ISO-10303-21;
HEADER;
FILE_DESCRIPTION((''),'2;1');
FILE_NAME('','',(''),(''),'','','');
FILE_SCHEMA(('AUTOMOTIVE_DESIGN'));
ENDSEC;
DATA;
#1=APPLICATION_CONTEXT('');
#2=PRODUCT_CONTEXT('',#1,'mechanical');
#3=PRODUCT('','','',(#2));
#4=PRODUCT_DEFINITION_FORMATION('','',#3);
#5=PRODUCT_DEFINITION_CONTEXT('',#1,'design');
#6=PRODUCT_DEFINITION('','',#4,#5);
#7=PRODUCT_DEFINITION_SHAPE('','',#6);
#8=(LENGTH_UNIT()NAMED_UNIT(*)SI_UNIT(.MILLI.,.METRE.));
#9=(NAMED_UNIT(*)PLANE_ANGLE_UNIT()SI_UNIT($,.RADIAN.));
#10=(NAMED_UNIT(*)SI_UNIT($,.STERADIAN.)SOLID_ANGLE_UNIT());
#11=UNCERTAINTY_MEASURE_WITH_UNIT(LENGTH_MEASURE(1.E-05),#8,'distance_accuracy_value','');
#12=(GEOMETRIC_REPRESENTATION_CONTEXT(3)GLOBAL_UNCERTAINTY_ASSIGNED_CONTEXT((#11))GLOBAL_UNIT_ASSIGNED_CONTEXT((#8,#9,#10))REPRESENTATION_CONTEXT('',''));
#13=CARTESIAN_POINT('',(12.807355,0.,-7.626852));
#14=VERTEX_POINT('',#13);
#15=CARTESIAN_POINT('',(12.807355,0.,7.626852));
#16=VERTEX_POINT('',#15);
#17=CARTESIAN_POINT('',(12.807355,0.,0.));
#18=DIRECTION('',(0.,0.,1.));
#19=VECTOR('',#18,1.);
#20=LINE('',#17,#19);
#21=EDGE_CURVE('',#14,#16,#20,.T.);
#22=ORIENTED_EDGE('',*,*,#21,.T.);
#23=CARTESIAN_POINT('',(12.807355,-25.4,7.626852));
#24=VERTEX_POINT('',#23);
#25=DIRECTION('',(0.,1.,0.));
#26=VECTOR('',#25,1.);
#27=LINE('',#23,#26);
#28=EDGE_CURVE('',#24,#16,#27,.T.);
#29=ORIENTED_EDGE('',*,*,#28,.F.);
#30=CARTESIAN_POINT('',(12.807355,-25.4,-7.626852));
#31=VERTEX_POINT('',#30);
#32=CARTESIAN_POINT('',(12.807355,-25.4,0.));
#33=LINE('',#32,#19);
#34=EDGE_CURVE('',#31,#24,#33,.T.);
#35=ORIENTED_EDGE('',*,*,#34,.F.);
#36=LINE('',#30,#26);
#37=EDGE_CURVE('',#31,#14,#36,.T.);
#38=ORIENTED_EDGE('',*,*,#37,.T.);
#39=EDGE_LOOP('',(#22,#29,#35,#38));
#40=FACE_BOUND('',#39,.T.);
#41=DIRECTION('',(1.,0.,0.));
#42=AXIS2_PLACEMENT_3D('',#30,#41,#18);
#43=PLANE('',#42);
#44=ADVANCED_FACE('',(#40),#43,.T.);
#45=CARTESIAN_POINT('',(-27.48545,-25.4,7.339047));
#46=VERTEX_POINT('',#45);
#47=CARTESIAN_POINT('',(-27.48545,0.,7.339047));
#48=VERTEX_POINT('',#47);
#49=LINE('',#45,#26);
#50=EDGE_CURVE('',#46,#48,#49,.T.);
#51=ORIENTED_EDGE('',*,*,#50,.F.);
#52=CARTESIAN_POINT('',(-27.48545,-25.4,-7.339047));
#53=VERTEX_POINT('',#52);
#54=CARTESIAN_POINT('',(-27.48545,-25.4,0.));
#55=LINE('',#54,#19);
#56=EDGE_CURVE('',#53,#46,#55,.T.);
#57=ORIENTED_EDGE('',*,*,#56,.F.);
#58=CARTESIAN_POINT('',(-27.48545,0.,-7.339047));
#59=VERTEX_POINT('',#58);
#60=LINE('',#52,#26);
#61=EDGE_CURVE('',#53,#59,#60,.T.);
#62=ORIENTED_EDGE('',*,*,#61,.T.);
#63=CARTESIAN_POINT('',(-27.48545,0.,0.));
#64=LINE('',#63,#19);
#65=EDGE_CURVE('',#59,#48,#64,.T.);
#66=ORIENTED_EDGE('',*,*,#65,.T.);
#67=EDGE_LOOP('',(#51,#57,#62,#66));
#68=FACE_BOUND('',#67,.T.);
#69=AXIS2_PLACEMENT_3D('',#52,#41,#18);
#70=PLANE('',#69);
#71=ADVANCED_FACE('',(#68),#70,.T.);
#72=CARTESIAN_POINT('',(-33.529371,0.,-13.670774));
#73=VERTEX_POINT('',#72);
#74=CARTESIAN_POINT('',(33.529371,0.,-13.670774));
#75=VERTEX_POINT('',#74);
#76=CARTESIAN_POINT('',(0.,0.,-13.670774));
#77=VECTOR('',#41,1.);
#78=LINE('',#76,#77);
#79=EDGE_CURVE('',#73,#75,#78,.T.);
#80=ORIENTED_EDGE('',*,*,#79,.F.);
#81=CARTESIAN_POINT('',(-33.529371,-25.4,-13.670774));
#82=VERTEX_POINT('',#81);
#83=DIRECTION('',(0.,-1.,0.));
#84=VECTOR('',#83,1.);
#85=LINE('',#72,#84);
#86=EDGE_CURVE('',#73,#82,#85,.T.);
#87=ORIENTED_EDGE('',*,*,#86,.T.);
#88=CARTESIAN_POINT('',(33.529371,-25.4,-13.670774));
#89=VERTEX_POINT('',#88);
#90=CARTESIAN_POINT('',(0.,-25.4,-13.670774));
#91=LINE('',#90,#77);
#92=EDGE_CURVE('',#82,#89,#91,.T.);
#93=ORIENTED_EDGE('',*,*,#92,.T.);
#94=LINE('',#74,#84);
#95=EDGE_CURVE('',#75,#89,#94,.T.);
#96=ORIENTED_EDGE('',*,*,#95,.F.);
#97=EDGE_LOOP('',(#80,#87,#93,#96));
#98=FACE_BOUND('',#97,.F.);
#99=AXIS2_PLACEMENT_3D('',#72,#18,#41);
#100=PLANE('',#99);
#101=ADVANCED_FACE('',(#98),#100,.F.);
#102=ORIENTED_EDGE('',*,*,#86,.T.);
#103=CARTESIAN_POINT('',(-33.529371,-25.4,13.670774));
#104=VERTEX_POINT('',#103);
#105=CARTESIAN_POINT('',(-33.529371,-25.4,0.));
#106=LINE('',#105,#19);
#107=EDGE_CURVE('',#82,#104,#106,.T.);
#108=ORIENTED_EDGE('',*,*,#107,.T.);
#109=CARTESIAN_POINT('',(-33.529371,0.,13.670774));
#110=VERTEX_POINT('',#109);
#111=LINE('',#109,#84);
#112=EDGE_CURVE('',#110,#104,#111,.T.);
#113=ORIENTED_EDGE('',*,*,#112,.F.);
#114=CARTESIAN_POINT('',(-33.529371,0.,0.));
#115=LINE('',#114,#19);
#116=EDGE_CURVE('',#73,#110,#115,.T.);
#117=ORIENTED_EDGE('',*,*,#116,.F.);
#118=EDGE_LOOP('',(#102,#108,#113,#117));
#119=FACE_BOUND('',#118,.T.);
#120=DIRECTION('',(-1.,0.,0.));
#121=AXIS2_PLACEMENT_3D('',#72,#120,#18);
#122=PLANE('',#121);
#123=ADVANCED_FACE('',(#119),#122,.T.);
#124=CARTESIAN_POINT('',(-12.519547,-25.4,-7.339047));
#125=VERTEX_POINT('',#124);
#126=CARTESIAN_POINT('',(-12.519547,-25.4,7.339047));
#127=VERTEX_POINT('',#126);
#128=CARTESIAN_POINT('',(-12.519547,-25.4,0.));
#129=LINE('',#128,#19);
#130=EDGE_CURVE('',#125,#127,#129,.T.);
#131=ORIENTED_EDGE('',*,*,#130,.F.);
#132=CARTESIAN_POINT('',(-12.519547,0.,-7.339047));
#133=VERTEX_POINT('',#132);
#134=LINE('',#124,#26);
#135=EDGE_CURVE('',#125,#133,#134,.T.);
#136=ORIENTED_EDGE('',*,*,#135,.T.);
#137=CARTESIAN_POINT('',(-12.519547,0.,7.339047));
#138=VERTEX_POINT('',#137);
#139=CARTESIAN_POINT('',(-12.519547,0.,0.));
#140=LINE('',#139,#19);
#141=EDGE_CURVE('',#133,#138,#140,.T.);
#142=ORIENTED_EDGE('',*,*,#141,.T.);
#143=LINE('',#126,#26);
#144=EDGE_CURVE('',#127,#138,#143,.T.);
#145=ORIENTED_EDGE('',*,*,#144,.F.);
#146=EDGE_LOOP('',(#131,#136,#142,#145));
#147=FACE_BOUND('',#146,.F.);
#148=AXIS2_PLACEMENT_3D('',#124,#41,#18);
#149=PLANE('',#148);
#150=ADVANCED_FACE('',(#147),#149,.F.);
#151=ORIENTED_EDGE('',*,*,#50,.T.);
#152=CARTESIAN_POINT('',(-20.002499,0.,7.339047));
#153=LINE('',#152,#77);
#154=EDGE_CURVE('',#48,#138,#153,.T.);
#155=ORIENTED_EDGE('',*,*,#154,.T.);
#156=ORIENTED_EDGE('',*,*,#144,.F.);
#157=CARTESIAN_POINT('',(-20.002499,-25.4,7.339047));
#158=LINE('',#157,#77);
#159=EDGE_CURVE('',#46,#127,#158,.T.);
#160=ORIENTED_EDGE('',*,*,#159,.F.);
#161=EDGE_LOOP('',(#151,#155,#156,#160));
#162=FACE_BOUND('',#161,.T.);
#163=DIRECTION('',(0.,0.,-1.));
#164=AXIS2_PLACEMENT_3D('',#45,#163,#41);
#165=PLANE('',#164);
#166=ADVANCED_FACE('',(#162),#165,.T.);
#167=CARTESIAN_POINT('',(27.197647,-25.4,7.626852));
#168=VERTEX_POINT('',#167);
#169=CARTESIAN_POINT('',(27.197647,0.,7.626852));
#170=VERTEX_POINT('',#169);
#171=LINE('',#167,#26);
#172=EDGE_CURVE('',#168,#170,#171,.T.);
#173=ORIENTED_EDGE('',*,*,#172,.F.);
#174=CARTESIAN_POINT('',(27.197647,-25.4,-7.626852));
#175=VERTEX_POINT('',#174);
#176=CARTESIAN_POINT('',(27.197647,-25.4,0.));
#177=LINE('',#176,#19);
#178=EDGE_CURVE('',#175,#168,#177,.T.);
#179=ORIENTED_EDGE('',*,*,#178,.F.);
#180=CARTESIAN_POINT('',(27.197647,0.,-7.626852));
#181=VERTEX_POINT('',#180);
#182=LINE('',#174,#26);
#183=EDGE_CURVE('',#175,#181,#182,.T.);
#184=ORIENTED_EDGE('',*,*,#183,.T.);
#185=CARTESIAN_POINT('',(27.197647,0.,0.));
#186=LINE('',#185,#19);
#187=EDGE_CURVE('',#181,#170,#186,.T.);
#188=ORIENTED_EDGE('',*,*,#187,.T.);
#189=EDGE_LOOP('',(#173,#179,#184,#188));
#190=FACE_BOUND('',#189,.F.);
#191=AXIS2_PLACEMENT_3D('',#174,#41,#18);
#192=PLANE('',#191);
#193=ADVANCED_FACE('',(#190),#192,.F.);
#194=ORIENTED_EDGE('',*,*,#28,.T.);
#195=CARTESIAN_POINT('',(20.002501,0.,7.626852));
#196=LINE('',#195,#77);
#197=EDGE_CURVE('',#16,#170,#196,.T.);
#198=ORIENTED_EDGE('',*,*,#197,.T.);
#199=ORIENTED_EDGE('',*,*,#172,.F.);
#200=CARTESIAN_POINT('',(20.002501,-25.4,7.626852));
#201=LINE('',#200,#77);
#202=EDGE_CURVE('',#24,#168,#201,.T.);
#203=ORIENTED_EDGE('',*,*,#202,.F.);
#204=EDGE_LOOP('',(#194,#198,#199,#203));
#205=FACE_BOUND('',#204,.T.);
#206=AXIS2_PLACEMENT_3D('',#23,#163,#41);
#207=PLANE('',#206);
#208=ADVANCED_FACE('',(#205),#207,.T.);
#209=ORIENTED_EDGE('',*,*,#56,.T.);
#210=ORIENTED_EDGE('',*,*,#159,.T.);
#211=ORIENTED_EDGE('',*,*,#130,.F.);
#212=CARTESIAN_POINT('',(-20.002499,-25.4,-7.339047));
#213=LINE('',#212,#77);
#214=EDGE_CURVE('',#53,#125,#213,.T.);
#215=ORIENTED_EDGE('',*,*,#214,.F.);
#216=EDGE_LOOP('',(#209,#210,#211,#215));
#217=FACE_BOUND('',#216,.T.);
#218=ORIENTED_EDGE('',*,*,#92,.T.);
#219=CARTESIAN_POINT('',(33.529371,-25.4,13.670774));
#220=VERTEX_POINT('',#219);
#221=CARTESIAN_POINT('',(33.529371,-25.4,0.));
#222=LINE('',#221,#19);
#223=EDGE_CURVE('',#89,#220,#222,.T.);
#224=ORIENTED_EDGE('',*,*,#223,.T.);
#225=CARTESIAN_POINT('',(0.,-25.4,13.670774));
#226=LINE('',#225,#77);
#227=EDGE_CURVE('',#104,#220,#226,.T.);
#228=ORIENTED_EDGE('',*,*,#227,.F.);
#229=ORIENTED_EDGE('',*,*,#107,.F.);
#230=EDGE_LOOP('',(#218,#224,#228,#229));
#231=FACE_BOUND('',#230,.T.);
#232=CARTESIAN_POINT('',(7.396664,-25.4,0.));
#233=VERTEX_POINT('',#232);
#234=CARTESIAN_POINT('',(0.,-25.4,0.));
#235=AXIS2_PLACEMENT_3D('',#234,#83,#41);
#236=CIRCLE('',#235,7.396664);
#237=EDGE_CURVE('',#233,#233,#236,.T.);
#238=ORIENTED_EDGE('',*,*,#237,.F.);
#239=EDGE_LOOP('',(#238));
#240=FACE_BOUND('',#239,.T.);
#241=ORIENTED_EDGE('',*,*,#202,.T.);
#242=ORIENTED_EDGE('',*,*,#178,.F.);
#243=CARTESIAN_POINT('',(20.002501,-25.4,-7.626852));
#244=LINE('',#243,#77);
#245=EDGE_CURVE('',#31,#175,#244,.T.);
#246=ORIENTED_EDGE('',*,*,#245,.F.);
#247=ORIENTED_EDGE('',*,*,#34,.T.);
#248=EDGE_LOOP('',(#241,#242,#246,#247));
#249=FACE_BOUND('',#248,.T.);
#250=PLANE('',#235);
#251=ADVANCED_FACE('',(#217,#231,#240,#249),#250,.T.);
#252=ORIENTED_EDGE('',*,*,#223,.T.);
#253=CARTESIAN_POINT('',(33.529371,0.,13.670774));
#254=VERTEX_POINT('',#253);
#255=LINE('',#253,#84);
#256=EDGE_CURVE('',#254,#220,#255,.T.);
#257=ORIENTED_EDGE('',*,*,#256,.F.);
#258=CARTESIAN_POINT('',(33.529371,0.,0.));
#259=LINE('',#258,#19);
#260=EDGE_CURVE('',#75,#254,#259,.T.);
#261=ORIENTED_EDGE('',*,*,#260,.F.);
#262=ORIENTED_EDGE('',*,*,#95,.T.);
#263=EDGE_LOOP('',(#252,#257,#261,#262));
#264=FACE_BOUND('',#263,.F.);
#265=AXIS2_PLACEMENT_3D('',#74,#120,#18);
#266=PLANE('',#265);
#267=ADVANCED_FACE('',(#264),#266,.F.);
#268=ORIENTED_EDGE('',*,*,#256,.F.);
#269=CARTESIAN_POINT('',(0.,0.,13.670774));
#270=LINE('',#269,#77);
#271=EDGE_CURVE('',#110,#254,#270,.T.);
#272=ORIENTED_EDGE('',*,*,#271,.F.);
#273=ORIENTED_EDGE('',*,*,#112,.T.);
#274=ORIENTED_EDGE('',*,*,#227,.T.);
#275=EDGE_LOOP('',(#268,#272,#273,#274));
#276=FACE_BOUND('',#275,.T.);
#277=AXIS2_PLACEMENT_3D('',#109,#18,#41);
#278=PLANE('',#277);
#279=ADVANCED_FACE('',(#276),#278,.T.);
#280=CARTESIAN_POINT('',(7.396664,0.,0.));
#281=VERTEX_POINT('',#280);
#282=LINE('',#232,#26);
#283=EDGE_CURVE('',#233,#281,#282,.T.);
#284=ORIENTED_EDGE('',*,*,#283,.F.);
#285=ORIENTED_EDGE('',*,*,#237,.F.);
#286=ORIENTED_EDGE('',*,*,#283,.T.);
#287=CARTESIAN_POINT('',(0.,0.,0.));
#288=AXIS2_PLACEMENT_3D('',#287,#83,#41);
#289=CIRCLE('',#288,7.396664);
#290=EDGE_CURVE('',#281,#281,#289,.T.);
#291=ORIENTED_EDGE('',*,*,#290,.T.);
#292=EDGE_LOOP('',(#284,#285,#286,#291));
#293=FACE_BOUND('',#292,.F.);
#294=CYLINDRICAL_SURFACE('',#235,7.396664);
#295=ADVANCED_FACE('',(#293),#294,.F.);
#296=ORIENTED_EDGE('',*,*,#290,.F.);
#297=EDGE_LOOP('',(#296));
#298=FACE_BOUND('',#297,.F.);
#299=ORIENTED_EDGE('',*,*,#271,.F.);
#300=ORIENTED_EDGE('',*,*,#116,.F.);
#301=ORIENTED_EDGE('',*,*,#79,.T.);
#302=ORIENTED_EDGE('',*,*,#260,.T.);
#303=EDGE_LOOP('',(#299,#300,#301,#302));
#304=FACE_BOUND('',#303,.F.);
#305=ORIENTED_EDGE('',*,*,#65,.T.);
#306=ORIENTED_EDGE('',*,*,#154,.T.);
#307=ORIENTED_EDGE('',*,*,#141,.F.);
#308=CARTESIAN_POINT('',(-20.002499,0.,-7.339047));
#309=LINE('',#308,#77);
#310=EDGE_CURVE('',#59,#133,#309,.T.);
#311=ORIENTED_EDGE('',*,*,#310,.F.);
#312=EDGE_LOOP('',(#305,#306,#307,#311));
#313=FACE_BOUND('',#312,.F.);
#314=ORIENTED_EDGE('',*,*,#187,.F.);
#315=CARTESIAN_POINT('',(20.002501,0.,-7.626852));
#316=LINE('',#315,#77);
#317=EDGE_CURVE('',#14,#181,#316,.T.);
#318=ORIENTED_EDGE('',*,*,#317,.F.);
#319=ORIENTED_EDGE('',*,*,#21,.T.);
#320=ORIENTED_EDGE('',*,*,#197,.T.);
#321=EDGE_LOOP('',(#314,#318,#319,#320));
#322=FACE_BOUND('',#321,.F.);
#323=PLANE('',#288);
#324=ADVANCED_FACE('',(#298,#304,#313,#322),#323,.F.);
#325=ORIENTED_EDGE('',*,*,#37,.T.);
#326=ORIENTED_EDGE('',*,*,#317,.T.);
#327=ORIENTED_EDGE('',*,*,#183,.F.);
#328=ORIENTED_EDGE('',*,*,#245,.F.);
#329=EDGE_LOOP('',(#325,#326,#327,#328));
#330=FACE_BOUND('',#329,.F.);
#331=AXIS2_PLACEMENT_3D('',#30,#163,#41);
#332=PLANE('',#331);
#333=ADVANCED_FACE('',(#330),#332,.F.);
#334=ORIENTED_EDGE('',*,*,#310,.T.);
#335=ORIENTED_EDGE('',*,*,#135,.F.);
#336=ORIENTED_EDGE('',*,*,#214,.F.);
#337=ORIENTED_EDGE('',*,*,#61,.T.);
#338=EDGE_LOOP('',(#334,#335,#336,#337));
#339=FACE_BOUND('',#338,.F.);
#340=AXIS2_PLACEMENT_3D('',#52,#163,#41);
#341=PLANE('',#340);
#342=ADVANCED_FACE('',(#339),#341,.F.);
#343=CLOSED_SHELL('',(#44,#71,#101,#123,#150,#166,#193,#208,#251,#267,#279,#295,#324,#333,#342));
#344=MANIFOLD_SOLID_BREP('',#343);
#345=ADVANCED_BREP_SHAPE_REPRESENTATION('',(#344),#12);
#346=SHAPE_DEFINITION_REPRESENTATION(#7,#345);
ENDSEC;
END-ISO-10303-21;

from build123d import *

# Parameters (mm, degrees)
F0_W     = 67.058742
F0_H     = 27.341548
F1_DEPTH = 25.4
F2_W     = 14.965903
F2_H     = 14.678094
F3_DEPTH = 25.4
F4_R     = 7.396664
F5_DEPTH = 25.4
F6_W     = 14.390292
F6_H     = 15.253704
F7_DEPTH = 25.4


with BuildPart() as f1:
    # F0 (on Front) → F1 (new body)
    with BuildSketch(Plane.XZ):
        Rectangle(F0_W, F0_H)
    extrude(amount=F1_DEPTH)

    # F2 (on face) → F3 (cut)
    with BuildSketch(Plane.XZ.offset(25.4)):
        with Locations((-20.002499, 0)):
            Rectangle(F2_W, F2_H)
    extrude(amount=-F3_DEPTH, mode=Mode.SUBTRACT)

    # F4 (on face) → F5 (cut)
    with BuildSketch(Plane.XZ.offset(25.4)):
        Circle(F4_R)
    extrude(amount=-F5_DEPTH, mode=Mode.SUBTRACT)

    # F6 (on face) → F7 (cut)
    with BuildSketch(Plane.XZ.offset(25.4)):
        with Locations((20.002501, 0)):
            Rectangle(F6_W, F6_H)
    extrude(amount=-F7_DEPTH, mode=Mode.SUBTRACT)


solid = f1.part
